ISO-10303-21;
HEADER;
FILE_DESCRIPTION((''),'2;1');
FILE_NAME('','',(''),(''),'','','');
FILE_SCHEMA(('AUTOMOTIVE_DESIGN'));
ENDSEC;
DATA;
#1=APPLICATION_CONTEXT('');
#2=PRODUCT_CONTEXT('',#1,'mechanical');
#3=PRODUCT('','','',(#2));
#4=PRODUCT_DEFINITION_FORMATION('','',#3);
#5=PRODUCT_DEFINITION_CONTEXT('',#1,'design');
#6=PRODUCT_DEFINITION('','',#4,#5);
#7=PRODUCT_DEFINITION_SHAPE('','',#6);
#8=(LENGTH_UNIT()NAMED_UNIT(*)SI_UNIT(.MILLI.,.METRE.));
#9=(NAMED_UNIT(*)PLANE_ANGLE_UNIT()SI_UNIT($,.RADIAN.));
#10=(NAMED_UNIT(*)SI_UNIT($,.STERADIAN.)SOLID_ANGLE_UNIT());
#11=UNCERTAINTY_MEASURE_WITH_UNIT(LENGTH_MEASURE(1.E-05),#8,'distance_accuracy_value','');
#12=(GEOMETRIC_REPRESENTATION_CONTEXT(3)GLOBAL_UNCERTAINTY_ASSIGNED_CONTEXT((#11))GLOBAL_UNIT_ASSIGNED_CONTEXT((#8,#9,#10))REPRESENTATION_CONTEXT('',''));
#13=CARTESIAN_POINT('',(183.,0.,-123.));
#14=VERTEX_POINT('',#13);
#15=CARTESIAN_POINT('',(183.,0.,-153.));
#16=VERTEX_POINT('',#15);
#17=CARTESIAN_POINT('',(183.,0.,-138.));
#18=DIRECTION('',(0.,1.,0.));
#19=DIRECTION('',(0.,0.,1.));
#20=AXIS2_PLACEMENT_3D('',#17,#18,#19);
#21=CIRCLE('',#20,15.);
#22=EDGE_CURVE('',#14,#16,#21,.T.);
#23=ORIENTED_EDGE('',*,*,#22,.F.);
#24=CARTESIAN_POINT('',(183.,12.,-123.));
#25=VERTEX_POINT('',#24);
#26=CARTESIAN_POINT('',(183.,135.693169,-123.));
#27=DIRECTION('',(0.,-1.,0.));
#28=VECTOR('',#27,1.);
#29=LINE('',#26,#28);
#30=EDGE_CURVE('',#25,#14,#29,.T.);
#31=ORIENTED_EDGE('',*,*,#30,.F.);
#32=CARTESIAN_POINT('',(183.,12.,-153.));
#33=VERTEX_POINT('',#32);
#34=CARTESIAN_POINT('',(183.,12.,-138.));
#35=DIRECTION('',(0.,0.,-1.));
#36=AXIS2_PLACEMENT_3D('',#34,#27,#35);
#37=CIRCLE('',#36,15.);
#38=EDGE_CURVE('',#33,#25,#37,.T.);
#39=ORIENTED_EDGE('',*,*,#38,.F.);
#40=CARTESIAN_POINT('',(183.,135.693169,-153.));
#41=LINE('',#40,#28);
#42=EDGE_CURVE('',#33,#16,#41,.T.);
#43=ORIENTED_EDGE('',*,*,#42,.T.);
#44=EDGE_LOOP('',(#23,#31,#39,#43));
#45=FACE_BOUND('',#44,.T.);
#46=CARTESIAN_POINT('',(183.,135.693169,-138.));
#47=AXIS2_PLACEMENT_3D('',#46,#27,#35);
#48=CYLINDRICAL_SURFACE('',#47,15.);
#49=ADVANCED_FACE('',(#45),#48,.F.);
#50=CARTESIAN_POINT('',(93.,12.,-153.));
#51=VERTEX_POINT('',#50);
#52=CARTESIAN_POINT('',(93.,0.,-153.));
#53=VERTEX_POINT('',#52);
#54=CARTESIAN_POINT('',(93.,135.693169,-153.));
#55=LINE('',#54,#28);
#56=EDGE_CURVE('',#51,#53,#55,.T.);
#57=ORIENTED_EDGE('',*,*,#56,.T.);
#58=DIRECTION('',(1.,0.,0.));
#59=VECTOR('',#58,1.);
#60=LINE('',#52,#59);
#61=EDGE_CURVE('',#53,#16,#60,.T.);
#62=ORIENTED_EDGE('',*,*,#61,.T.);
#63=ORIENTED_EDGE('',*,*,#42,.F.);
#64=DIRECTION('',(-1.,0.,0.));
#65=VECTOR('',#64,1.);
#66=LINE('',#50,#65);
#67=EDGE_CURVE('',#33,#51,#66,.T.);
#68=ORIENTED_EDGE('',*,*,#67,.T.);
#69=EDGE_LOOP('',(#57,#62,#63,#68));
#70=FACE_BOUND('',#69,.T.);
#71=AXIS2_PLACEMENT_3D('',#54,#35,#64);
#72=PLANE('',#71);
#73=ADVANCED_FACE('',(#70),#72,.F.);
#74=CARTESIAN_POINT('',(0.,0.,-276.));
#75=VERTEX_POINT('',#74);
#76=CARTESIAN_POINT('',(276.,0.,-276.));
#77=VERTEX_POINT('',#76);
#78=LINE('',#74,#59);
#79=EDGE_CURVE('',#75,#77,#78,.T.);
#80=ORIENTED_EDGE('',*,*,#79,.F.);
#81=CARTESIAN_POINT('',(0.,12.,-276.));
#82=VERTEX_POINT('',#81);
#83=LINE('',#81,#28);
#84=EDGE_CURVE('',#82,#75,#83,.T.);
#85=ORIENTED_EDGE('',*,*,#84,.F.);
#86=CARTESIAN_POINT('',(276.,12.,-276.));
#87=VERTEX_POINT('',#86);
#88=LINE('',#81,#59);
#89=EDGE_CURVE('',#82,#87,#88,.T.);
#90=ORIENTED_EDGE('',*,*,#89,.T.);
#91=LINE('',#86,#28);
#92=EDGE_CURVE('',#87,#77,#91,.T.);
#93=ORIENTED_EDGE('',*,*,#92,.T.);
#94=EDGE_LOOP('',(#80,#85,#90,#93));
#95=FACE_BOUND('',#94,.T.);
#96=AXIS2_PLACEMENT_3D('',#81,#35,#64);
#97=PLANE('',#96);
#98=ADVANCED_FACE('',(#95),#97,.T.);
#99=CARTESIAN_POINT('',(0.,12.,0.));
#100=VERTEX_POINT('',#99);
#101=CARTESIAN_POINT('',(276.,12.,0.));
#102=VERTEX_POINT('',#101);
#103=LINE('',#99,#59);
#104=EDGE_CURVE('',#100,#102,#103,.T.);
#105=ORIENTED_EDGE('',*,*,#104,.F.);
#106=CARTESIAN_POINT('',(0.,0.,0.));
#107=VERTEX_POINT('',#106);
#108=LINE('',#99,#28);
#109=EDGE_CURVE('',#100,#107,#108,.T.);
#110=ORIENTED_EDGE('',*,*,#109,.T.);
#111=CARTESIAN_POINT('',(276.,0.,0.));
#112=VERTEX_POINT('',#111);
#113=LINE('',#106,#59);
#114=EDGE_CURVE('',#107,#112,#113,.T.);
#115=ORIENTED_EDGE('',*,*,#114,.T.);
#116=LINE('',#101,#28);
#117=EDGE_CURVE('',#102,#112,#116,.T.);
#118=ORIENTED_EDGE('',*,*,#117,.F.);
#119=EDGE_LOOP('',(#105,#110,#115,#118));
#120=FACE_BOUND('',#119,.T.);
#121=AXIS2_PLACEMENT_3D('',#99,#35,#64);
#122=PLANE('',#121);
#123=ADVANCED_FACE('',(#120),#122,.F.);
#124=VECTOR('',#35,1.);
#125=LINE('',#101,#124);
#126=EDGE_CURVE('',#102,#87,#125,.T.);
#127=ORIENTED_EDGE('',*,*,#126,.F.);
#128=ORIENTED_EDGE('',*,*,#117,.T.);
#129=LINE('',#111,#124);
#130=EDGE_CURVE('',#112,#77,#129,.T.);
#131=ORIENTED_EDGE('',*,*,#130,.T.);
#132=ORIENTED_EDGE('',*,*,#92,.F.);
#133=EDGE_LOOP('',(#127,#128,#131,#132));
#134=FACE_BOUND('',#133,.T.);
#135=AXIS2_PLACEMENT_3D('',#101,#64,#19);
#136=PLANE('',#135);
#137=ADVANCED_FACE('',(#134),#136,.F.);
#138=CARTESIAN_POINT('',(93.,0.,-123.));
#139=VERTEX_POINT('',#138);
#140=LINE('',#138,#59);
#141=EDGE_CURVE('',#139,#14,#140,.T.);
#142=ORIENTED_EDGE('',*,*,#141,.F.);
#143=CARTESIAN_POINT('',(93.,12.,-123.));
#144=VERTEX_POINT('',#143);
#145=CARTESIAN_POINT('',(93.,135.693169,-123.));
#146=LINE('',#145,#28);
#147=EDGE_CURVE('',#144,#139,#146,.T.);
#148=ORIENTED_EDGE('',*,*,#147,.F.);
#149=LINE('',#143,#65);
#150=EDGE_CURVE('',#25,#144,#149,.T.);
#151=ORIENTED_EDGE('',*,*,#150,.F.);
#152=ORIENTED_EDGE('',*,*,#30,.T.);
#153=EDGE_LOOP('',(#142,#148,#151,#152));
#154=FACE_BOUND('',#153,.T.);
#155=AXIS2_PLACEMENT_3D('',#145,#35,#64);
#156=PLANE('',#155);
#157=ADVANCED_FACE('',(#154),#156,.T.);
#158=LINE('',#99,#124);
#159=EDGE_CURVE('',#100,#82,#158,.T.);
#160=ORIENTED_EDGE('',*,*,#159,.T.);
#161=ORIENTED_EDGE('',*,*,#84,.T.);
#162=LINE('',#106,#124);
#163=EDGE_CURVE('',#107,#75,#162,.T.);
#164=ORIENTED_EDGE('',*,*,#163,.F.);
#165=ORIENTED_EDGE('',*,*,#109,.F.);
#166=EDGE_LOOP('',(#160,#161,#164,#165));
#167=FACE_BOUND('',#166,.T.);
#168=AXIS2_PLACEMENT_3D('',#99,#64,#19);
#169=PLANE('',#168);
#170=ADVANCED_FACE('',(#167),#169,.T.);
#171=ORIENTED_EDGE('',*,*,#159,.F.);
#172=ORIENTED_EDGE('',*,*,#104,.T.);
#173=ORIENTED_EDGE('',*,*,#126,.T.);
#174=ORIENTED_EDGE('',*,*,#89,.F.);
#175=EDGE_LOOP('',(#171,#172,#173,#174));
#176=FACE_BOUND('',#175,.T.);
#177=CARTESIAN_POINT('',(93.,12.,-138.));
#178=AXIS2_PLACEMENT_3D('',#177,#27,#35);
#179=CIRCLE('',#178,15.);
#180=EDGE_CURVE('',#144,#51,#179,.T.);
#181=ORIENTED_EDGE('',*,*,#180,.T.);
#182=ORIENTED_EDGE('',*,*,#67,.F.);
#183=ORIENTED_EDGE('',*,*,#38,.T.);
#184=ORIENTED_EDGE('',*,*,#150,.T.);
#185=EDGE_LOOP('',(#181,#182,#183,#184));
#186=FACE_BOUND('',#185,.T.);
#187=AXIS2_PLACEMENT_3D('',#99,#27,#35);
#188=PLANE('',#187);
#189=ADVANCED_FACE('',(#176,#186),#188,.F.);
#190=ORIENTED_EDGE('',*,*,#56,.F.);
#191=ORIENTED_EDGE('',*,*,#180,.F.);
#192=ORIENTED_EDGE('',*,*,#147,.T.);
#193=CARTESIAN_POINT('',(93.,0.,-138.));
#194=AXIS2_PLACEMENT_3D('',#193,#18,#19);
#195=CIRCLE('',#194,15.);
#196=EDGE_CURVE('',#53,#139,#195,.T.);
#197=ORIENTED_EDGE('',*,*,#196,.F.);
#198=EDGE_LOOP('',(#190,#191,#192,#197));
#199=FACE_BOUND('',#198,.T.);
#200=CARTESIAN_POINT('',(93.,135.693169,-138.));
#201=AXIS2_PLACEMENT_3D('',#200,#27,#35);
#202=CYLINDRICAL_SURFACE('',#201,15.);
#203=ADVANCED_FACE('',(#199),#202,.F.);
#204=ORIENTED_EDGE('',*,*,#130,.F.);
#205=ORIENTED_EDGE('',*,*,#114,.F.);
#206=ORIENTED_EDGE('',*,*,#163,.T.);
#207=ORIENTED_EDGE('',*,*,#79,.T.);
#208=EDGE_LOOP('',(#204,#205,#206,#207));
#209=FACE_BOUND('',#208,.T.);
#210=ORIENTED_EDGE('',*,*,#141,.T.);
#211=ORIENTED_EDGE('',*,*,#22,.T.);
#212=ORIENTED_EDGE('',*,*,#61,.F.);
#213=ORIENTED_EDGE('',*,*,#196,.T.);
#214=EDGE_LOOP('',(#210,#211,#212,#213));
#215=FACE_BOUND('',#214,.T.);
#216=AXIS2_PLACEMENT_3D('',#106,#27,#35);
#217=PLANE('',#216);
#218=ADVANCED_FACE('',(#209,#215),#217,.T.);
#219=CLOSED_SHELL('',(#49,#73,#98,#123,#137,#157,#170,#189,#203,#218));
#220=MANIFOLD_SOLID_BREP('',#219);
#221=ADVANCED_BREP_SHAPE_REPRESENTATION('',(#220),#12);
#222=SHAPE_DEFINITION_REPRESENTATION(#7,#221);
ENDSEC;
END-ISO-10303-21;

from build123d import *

# Parameters (mm, degrees)
SKETCH2_W           = 276
SKETCH2_H           = 276
BOSS_EXTRUDE1_DEPTH = 12
CUT_EXTRUDE1_DEPTH  = 12


with BuildPart() as part:
    # Sketch2 → Boss-Extrude1 (new body)
    with BuildSketch(Plane(origin=(0, 0, 0), x_dir=(1, 0, 0), z_dir=(0, 1, 0))):
        with Locations((138, 138)):
            Rectangle(SKETCH2_W, SKETCH2_H)
    extrude(amount=BOSS_EXTRUDE1_DEPTH)

    # Sketch2<3> → Cut-Extrude1 (cut)
    with BuildSketch(Plane(origin=(0, 0, 0), x_dir=(1, 0, 0), z_dir=(0, 1, 0))):
        with BuildLine():
            Line((93, 153), (183, 153))
            ThreePointArc((183, 153), (198, 138), (183, 123))
            Line((183, 123), (93, 123))
            ThreePointArc((93, 123), (78, 138), (93, 153))
        make_face()
    extrude(amount=CUT_EXTRUDE1_DEPTH, mode=Mode.SUBTRACT)


solid = part.part
